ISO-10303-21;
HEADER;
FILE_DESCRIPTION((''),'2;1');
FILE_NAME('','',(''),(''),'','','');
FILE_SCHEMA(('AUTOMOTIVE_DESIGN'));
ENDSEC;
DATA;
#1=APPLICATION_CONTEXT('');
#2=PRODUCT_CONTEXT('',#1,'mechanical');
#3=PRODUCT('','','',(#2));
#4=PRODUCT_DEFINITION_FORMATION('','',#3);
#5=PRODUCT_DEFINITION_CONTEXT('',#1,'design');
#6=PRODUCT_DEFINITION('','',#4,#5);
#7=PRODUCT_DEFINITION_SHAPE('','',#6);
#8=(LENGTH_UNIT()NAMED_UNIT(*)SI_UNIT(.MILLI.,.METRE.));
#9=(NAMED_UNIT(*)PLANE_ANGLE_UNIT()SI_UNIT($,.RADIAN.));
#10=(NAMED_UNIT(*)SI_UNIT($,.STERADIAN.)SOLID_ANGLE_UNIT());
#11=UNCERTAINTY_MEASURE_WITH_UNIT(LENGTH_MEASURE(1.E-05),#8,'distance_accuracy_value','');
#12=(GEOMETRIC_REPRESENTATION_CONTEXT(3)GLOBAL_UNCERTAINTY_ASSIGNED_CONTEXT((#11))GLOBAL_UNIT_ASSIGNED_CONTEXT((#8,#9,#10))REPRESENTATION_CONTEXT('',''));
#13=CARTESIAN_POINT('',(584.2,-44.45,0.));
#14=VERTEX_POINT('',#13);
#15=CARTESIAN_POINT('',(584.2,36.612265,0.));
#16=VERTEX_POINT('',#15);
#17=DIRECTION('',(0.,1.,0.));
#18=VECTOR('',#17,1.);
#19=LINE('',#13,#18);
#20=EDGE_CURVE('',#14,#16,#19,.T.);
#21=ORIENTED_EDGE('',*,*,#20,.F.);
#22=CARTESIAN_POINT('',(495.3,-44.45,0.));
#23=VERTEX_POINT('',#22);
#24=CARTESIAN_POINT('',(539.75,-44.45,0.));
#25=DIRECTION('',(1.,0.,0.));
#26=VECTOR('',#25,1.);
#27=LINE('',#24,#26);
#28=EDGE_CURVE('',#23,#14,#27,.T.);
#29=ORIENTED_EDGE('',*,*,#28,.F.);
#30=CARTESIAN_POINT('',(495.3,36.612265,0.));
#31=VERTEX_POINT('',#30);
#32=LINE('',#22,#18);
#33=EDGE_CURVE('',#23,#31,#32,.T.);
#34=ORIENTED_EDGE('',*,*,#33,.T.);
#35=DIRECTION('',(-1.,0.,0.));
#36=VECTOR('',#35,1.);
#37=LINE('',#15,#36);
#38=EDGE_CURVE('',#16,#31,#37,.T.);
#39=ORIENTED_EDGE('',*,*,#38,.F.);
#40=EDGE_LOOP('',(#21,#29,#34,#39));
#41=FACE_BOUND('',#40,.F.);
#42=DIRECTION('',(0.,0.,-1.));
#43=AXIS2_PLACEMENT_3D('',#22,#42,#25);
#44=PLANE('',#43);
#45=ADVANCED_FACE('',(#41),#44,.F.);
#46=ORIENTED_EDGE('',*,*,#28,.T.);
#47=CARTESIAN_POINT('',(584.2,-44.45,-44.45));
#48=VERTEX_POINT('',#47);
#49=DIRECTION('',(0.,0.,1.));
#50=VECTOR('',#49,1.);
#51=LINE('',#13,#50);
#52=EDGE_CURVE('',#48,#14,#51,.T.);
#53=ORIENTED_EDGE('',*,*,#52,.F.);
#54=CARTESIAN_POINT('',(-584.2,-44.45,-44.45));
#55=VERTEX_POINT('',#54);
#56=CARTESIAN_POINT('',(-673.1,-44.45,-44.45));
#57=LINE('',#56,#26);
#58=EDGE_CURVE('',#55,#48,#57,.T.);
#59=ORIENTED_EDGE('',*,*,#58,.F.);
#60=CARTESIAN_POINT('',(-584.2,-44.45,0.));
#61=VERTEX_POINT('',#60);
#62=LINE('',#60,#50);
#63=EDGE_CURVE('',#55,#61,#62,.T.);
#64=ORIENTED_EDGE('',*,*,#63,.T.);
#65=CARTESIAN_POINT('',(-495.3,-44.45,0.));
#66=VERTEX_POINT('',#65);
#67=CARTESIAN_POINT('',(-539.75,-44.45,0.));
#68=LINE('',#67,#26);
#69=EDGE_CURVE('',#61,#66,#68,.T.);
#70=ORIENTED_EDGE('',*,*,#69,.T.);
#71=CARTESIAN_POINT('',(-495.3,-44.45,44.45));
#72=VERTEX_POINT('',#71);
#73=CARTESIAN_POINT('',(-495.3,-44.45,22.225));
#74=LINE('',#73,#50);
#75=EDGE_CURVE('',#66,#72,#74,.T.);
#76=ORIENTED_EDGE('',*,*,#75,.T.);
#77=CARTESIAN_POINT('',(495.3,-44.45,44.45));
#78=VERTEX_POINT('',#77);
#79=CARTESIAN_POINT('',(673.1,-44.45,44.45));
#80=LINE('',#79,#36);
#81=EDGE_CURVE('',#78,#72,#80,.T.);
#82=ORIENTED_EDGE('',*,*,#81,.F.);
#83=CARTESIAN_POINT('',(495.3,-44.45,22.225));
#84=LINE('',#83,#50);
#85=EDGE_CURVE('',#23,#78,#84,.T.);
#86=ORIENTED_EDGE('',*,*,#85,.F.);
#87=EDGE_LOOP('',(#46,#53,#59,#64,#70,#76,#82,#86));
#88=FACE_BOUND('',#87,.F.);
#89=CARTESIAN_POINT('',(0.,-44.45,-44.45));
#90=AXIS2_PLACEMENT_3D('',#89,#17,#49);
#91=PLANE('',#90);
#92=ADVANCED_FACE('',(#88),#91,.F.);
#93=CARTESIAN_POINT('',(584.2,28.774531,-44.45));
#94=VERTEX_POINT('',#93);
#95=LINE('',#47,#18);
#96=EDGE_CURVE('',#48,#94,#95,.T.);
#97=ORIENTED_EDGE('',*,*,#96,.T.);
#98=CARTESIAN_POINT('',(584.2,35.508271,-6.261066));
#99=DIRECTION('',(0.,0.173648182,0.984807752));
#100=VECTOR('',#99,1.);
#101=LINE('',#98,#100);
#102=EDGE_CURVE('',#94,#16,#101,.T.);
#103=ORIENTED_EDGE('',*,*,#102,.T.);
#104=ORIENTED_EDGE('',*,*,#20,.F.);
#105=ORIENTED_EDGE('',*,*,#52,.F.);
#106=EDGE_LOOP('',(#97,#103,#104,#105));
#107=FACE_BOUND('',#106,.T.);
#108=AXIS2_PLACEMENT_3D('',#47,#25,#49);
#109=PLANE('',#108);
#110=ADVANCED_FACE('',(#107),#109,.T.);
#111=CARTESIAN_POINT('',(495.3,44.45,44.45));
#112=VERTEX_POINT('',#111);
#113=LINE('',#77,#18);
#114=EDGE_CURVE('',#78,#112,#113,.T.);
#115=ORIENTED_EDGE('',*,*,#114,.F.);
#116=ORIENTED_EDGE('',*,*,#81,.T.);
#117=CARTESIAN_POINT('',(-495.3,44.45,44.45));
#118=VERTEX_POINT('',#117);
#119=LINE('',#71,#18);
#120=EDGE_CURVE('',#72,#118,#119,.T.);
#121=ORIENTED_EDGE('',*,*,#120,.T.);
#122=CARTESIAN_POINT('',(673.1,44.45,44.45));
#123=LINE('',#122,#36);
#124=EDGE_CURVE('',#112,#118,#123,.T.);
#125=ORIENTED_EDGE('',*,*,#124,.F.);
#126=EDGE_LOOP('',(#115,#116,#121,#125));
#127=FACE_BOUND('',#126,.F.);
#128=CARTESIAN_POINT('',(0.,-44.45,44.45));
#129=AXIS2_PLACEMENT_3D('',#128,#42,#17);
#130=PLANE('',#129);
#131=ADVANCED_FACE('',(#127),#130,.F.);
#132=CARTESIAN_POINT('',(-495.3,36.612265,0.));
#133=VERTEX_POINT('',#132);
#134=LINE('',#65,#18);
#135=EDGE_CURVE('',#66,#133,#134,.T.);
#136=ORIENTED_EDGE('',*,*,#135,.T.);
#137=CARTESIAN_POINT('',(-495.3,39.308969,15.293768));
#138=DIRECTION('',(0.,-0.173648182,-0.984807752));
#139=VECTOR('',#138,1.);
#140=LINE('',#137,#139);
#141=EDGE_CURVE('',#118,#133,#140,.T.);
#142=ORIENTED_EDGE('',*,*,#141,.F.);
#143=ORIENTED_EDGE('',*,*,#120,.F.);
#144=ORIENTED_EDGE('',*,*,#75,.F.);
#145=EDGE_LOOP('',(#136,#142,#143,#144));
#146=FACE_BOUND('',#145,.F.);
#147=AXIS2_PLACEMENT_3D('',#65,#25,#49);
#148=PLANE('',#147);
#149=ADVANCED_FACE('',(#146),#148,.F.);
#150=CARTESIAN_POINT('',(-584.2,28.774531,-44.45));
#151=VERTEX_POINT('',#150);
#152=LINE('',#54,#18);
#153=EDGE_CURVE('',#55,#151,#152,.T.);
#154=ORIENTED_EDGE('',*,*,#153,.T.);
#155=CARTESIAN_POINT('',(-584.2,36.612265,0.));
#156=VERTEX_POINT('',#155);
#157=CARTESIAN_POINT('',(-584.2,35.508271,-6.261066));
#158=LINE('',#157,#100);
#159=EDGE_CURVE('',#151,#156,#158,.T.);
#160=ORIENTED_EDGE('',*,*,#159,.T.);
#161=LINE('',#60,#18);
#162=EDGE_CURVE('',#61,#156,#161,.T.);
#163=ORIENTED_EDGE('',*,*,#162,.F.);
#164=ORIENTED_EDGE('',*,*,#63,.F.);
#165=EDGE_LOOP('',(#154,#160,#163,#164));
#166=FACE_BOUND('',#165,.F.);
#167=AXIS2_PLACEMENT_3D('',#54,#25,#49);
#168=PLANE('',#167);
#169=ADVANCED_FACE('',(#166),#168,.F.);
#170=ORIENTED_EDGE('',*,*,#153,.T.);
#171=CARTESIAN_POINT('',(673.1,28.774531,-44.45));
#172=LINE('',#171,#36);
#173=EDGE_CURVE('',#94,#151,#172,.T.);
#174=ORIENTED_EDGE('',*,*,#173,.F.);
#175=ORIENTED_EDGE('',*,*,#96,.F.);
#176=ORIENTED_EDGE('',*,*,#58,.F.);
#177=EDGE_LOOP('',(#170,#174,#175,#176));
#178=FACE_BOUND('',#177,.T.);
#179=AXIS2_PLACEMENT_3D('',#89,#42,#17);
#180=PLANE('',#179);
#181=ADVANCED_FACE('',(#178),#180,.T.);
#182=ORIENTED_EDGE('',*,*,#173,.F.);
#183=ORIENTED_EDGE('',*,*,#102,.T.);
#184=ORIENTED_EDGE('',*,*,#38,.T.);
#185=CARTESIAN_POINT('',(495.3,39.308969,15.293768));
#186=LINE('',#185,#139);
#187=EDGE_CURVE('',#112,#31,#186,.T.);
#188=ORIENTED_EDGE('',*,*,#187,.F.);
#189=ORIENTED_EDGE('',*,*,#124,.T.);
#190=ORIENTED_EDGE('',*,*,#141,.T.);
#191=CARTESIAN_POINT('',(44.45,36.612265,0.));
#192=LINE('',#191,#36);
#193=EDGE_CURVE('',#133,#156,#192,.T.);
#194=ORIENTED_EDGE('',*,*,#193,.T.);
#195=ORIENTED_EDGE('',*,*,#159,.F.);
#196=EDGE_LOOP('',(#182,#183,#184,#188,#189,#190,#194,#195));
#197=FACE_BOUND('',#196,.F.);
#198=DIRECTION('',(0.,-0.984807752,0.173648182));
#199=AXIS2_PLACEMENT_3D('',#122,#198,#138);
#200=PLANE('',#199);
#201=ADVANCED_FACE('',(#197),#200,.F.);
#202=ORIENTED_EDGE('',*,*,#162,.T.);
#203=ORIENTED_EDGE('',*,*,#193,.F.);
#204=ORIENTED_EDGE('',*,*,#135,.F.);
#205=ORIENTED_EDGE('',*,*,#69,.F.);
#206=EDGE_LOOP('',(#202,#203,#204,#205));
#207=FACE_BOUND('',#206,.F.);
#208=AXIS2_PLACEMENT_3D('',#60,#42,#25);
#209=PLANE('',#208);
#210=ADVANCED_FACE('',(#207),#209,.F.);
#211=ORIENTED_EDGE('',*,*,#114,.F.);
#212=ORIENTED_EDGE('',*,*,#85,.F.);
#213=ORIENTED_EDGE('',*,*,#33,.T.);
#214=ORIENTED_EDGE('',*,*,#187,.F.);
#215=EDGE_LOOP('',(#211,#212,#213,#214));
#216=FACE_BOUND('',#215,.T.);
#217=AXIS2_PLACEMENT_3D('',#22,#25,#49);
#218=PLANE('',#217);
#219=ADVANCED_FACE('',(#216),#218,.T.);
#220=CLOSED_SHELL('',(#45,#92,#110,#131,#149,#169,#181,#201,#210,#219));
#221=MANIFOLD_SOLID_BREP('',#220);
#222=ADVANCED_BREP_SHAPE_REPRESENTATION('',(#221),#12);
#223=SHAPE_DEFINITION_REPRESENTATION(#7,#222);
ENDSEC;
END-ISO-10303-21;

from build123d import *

# Parameters (mm, degrees)
F0_W     = 88.9
F0_H     = 88.9
F1_DEPTH = 673.1
F2_W     = 88.9
F2_H     = 44.45
F3_DEPTH = 88.901
F5_DEPTH = 1346.201
F6_W     = 88.9
F6_H     = 88.9
F7_DEPTH = 88.901


with BuildPart() as f1:
    # F0 (on Right) → F1 (new body, symmetric)
    with BuildSketch(Plane.YZ):
        Rectangle(F0_W, F0_H)
    extrude(amount=F1_DEPTH, both=True)

    # F2 (on face) → F3 (cut, through all)
    with BuildSketch(Plane.XZ.offset(44.45)):
        with Locations((-539.75, 22.225)):
            Rectangle(F2_W, F2_H)
        with Locations((539.75, 22.225)):
            Rectangle(F2_W, F2_H)
    extrude(amount=-F3_DEPTH, mode=Mode.SUBTRACT)

    # F4 (on face) → F5 (cut, through all)
    with BuildSketch(Plane.YZ.offset(673.1)):
        Polygon((44.45, -44.45), (44.45, 44.45), (28.774531, -44.45), align=None)
    extrude(amount=-F5_DEPTH, mode=Mode.SUBTRACT)

    # F6 (on face) → F7 (cut, through all)
    with BuildSketch(Plane.XZ.offset(44.45)):
        with Locations((-628.65, 0)):
            Rectangle(F6_W, F6_H)
        with Locations((628.65, 0)):
            Rectangle(F6_W, F6_H)
    extrude(amount=-F7_DEPTH, mode=Mode.SUBTRACT)


solid = f1.part
